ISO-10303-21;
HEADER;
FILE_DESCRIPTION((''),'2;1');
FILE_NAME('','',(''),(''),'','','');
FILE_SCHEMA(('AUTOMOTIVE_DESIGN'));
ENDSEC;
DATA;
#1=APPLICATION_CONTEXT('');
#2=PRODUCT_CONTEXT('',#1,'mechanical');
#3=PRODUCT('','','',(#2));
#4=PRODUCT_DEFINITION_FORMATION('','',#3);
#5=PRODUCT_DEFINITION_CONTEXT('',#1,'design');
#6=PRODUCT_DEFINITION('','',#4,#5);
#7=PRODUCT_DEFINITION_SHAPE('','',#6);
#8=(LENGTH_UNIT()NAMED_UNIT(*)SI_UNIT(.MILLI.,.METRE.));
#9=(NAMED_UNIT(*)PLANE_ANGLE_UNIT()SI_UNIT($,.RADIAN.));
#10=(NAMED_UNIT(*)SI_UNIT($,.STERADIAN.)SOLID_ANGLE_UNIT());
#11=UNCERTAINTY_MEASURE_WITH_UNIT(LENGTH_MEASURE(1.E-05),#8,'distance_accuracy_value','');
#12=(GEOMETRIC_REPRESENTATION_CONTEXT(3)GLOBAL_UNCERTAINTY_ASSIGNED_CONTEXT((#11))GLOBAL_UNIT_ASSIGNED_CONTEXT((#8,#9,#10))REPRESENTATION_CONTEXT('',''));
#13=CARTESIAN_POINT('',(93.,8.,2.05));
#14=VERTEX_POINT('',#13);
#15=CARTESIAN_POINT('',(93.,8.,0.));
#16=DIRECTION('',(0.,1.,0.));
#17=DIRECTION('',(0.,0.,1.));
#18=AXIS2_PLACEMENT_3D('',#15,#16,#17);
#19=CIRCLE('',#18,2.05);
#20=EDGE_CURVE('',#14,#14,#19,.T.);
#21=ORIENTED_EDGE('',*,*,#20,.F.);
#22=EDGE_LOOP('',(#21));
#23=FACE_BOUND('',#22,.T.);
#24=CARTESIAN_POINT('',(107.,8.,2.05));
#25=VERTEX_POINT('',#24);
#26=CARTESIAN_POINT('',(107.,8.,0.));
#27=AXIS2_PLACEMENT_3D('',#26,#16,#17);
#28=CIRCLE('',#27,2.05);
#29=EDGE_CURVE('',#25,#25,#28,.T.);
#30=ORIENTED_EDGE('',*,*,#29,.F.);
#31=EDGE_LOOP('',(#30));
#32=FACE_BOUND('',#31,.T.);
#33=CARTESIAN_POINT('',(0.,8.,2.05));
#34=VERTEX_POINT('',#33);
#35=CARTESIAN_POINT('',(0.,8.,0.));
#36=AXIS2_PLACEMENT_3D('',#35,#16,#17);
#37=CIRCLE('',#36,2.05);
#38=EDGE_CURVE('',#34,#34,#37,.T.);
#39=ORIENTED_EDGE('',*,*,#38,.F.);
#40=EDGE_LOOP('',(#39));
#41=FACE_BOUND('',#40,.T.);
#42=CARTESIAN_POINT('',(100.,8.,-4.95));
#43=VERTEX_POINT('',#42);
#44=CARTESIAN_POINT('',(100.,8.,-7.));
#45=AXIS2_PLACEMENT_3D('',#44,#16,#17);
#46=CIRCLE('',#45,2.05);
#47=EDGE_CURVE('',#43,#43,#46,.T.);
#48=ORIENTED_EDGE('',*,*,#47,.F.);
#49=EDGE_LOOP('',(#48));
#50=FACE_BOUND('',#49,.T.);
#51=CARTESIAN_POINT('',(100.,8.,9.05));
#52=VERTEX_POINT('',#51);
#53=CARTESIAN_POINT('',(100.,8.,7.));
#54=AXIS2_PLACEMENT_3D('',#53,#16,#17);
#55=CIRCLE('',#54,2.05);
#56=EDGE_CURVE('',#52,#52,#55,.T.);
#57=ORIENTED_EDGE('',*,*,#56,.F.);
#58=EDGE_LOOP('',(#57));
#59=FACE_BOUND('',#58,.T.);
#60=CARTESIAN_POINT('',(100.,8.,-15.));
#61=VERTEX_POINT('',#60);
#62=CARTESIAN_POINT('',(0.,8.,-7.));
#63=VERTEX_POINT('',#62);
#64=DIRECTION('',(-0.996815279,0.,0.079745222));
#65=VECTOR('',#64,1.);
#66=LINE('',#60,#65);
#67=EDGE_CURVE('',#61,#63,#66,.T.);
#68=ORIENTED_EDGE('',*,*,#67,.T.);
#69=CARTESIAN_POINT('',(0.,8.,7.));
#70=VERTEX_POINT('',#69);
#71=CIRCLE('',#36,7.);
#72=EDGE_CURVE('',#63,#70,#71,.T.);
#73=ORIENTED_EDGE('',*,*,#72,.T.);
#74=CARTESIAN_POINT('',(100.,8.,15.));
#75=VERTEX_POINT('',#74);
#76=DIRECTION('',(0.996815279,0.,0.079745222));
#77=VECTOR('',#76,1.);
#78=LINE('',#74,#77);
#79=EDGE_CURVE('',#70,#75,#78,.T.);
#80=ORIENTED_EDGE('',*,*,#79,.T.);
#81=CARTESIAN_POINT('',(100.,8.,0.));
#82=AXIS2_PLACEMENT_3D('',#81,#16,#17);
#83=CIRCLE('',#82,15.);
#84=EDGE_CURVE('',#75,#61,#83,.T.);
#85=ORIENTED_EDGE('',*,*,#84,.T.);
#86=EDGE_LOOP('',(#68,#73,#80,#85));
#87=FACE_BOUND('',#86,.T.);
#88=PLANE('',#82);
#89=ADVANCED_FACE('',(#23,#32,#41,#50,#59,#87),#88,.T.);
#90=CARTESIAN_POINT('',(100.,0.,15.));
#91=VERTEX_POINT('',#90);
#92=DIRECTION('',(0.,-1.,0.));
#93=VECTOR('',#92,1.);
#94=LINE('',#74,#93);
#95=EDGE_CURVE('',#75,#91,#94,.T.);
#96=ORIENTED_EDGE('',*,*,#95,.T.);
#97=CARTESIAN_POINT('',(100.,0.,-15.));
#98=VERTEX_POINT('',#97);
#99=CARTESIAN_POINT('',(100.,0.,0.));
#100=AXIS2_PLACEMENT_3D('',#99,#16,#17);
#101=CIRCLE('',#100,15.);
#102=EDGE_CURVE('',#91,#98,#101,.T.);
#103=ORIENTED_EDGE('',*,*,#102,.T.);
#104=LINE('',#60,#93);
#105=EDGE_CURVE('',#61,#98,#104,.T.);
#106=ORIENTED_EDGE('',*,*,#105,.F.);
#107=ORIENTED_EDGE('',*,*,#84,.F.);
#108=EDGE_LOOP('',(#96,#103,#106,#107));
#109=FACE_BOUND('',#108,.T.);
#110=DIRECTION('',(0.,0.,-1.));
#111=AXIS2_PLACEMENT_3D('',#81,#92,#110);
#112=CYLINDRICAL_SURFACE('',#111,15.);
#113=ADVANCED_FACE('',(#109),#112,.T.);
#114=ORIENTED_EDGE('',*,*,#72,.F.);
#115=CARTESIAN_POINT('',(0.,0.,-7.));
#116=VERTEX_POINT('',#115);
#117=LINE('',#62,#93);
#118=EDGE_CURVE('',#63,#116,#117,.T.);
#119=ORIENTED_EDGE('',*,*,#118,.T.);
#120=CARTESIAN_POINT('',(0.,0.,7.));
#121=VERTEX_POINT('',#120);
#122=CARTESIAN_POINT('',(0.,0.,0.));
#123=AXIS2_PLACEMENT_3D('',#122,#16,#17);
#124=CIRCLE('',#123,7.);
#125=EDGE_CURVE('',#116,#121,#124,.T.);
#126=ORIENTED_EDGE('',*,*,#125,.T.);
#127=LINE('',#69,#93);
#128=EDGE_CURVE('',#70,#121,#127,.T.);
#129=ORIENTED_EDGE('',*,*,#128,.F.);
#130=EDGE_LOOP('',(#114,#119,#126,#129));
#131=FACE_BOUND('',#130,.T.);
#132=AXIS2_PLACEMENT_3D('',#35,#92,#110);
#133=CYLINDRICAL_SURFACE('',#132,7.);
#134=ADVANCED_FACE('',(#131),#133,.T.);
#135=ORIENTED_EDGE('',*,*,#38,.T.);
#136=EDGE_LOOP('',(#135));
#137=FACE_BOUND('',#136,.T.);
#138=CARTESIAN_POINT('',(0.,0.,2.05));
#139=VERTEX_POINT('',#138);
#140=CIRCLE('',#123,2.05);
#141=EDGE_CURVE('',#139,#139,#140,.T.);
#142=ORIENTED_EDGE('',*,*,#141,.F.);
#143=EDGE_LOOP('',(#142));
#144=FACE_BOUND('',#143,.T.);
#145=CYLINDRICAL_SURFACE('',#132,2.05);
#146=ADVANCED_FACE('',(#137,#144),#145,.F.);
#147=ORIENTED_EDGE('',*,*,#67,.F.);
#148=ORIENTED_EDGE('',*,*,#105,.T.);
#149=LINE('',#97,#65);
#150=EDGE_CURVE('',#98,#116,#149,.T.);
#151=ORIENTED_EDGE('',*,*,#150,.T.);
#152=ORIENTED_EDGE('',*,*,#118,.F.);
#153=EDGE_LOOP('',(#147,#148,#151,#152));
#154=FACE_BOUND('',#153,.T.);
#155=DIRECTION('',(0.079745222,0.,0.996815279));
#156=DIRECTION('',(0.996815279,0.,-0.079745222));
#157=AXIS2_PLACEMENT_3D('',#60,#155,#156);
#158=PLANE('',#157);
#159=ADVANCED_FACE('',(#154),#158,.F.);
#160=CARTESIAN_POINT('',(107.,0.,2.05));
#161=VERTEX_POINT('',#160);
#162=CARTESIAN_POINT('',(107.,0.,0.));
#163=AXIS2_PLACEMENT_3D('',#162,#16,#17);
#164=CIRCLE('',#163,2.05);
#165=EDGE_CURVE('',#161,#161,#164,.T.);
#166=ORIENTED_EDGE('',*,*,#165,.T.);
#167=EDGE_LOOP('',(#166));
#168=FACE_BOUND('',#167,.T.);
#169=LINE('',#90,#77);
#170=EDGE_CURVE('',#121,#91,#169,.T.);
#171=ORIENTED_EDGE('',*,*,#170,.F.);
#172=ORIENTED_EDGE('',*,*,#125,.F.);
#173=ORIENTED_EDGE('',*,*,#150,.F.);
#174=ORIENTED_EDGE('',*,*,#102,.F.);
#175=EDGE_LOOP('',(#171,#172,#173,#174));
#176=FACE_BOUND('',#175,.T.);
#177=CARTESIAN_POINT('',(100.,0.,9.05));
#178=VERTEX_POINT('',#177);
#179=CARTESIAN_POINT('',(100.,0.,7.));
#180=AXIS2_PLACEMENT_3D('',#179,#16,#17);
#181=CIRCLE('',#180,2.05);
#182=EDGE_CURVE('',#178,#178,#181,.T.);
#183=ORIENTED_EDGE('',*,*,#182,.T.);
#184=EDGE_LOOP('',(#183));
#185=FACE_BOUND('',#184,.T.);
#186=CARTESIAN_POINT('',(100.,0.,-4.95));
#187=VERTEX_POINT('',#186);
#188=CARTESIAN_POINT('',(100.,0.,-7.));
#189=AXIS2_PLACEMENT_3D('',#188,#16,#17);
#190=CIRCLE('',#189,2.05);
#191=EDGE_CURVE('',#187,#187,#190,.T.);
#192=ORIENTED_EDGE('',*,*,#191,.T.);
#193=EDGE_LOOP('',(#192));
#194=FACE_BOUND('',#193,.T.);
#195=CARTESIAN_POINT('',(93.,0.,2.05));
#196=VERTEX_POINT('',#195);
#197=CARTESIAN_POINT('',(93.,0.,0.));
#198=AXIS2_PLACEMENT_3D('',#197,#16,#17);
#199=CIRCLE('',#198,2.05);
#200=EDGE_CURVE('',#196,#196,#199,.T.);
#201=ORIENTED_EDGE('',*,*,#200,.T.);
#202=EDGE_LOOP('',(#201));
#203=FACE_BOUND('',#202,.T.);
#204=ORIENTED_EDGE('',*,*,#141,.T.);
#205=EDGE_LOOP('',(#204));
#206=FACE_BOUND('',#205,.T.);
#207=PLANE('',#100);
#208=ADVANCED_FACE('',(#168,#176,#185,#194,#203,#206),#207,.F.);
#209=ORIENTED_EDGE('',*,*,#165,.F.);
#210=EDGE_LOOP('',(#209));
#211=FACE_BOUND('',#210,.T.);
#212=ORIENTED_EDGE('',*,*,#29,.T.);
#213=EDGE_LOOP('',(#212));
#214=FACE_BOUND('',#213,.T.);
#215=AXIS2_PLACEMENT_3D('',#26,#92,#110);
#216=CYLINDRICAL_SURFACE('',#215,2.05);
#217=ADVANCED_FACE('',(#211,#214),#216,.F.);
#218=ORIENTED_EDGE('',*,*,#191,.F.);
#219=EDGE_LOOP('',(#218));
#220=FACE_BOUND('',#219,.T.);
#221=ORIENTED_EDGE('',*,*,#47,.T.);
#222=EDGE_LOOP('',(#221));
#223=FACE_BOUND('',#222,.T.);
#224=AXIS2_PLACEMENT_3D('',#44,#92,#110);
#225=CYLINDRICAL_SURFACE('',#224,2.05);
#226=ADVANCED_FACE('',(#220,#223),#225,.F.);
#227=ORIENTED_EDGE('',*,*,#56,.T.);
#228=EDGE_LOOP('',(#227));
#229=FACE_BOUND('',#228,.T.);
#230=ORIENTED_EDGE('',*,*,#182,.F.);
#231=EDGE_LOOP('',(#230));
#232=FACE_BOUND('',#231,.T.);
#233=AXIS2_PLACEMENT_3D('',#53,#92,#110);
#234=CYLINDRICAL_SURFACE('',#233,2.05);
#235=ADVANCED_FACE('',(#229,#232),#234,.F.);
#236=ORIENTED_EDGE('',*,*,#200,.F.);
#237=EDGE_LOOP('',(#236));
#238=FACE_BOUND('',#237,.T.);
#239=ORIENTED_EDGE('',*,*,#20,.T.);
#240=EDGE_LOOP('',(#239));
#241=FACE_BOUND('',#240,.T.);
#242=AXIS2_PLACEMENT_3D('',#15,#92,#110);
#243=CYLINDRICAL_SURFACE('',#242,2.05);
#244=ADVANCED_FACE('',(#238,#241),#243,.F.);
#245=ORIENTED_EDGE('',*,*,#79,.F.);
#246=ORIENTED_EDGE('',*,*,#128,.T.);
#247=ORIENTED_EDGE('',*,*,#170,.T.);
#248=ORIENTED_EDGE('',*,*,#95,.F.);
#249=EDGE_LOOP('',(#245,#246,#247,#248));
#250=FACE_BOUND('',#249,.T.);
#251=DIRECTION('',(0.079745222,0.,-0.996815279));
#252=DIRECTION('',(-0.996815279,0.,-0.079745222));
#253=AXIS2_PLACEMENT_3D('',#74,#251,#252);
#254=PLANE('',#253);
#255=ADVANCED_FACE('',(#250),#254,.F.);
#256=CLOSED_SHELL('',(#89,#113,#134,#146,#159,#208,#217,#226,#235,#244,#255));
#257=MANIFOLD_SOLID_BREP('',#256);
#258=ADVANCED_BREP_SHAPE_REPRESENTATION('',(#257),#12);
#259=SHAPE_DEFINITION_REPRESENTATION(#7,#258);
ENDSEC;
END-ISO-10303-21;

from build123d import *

# Parameters (mm, degrees)
SKETCH_1_R      = 2.05
EXTRUDE_2_DEPTH = 8


with BuildPart() as part:
    # 草图1 → 凸台-拉伸2 (new body)
    with BuildSketch(Plane(origin=(0, 0, 0), x_dir=(1, 0, 0), z_dir=(0, 1, 0))):
        with BuildLine():
            Line((100, -15), (0, -7))
            ThreePointArc((0, -7), (-7, 0), (0, 7))
            Line((0, 7), (100, 15))
            ThreePointArc((100, 15), (115, 0), (100, -15))
        make_face()
        with Locations(Location((100, 7, 0), (0, 0, 270))):
            Circle(SKETCH_1_R, mode=Mode.SUBTRACT)
        with Locations(Location((100, -7, 0), (0, 0, 270))):
            Circle(SKETCH_1_R, mode=Mode.SUBTRACT)
        with Locations(Location((93, 0, 0), (0, 0, 270))):
            Circle(SKETCH_1_R, mode=Mode.SUBTRACT)
        with Locations(Location((107, 0, 0), (0, 0, 270))):
            Circle(SKETCH_1_R, mode=Mode.SUBTRACT)
        with Locations(Location((0, 0, 0), (0, 0, 270))):
            Circle(SKETCH_1_R, mode=Mode.SUBTRACT)
    extrude(amount=EXTRUDE_2_DEPTH)


solid = part.part
